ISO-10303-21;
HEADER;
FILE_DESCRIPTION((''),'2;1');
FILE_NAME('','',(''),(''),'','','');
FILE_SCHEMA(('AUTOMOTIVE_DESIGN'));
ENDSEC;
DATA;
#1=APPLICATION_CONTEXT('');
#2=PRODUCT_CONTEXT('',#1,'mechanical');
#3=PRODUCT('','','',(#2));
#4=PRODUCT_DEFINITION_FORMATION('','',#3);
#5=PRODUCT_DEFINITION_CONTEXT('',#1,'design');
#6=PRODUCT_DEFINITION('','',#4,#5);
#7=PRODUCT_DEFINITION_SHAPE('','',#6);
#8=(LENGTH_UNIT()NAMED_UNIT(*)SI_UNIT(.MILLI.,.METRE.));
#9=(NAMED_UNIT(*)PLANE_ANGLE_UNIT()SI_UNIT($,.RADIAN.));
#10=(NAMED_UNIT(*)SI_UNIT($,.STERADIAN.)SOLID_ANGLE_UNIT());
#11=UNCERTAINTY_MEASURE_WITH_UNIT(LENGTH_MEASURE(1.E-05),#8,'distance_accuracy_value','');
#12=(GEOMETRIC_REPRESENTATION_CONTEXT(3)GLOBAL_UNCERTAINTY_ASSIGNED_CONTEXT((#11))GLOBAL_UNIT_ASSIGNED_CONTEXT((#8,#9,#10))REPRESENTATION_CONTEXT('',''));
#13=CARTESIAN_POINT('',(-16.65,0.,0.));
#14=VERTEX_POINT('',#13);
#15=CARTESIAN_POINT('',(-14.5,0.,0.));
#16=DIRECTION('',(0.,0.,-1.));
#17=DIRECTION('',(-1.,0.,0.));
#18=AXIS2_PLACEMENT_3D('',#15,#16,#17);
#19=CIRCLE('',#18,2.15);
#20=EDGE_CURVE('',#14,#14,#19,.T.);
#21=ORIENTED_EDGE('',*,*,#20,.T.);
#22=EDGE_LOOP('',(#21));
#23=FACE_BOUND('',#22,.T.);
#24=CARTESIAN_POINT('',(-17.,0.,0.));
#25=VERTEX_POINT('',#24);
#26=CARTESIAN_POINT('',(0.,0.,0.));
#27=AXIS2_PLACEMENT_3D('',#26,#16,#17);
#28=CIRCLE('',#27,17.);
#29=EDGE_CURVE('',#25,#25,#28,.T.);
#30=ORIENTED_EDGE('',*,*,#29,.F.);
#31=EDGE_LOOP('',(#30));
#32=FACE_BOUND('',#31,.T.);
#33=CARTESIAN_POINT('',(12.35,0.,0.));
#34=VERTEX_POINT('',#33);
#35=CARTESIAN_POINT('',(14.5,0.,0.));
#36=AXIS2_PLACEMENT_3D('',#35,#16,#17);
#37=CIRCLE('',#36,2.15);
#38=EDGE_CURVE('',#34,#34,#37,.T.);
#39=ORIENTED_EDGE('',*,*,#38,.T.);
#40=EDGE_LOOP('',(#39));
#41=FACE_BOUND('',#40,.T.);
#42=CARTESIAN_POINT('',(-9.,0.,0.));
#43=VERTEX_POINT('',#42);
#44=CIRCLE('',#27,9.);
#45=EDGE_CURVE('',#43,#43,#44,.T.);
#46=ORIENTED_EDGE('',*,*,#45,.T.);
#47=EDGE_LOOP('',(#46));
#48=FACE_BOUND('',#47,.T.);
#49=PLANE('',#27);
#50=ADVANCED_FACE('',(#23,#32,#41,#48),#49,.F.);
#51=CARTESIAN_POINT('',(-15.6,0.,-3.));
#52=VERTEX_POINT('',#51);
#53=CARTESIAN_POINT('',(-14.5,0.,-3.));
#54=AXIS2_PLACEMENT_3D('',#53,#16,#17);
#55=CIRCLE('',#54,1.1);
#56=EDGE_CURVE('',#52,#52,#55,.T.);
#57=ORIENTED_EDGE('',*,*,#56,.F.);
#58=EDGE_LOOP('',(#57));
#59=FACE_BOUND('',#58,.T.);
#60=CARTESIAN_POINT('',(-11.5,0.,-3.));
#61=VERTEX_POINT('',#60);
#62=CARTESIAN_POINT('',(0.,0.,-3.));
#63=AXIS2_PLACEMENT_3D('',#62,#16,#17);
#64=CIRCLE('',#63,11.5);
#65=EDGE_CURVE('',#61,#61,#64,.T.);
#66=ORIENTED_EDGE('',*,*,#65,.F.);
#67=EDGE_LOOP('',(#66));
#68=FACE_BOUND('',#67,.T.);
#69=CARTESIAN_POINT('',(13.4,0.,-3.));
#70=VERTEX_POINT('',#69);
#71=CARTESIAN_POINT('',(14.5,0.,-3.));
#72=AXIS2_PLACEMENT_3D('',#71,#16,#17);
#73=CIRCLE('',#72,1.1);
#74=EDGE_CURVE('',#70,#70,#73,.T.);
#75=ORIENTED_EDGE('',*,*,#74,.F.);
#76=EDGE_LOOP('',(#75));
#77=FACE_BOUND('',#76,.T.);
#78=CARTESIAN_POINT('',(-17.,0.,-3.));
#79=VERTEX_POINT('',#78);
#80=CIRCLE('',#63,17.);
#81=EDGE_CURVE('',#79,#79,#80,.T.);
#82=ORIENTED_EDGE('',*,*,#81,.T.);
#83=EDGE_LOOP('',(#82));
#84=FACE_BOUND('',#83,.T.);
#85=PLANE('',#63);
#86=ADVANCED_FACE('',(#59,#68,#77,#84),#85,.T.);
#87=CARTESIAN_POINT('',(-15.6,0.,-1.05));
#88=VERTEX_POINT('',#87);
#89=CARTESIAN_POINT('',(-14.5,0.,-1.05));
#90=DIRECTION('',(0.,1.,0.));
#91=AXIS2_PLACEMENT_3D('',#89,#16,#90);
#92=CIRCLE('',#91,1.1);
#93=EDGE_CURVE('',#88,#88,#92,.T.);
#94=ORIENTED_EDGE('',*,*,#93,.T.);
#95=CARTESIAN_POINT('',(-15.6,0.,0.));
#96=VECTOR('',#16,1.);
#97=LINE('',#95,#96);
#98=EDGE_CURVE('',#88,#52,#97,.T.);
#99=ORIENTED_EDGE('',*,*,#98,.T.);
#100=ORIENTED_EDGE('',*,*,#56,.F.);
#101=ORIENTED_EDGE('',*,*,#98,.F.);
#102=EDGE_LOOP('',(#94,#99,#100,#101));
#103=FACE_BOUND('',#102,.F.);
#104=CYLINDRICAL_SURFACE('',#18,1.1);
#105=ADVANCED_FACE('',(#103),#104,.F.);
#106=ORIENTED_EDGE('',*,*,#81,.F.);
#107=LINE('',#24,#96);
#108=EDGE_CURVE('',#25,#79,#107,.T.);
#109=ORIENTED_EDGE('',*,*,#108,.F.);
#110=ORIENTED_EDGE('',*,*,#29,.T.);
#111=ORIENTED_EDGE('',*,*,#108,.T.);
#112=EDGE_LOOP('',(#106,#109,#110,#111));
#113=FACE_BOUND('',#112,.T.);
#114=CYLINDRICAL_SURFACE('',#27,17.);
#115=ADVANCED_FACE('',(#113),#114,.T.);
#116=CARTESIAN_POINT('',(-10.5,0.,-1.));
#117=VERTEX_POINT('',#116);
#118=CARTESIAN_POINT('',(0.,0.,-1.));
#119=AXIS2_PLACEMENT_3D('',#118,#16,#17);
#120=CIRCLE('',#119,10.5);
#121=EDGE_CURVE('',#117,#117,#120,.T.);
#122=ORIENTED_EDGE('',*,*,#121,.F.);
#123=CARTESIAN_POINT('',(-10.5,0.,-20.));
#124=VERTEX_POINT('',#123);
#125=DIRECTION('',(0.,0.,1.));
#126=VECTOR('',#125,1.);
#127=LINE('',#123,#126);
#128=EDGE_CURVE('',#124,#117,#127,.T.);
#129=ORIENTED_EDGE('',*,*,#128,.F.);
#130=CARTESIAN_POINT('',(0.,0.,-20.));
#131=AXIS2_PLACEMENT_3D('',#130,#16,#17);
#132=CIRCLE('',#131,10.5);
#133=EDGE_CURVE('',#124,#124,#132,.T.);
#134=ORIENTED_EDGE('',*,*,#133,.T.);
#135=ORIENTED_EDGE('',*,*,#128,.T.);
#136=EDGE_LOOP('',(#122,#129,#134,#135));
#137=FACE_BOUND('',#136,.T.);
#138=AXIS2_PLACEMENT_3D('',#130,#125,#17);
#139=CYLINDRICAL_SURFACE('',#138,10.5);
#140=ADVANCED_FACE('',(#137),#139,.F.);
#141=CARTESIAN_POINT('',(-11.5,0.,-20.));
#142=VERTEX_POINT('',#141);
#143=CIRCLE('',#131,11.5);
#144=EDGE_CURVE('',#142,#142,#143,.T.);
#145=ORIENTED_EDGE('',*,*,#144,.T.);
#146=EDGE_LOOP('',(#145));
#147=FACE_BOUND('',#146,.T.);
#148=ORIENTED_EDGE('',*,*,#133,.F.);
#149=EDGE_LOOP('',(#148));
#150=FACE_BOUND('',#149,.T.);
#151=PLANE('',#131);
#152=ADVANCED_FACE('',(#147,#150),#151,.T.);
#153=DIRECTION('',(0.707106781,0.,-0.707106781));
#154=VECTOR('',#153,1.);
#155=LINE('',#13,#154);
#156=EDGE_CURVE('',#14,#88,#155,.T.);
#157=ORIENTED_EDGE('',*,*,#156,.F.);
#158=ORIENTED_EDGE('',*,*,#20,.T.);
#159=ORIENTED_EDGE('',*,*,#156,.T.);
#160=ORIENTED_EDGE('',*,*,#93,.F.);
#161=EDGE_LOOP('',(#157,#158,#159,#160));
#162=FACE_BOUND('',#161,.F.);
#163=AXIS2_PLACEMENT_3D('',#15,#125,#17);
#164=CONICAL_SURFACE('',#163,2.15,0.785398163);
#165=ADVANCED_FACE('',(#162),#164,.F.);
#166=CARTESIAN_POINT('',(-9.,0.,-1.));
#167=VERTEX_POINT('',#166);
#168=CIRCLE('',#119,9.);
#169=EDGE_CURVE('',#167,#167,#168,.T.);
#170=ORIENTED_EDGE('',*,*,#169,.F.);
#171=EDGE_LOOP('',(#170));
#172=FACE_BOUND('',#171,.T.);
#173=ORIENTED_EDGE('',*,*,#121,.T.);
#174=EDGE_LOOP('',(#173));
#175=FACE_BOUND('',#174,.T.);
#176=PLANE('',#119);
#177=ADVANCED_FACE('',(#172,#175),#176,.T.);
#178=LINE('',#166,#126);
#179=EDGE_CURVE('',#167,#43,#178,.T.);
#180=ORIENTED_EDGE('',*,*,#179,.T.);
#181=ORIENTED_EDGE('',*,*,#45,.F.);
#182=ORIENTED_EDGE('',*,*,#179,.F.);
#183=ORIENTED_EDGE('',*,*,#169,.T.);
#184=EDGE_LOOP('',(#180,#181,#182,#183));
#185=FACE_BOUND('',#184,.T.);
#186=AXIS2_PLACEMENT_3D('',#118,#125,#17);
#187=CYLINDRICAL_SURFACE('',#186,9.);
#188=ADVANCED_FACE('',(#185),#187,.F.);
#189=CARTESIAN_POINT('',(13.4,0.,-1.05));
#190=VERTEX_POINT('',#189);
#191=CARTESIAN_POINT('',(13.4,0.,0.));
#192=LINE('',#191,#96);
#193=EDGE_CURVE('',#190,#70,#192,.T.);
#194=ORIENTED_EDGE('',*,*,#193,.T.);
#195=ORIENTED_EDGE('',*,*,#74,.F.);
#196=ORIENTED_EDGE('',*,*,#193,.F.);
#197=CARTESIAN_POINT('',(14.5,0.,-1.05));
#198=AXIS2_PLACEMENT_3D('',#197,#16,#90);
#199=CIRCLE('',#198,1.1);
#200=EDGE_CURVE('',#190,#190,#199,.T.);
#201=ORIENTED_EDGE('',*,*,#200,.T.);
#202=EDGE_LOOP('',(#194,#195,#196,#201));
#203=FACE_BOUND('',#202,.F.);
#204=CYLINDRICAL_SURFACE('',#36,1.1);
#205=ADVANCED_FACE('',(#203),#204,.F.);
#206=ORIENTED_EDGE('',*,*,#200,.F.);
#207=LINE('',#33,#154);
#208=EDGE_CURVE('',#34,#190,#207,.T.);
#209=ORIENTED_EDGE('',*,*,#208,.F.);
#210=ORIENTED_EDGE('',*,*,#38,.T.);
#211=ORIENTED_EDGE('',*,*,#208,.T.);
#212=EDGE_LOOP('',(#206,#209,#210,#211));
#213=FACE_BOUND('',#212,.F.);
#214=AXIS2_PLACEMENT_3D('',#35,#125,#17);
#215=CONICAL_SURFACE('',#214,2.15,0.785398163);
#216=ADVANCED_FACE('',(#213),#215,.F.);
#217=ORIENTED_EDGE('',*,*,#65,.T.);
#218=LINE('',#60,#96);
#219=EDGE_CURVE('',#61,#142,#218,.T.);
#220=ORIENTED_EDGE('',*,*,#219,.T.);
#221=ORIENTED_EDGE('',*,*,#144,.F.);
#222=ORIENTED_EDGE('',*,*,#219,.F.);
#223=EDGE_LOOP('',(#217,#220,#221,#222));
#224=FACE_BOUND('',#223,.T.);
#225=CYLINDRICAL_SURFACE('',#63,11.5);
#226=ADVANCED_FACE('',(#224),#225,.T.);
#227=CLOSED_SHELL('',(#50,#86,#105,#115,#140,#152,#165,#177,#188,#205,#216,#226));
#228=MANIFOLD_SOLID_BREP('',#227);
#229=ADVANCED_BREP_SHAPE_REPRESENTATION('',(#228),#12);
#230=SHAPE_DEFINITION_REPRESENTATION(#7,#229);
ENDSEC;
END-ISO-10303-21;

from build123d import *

# Parameters (mm, degrees)
F3_D           = 2.2
F3_CSINK_D     = 4.3
F3_CSINK_ANGLE = 90


with BuildPart() as f1:
    # F0 (on Front) → F1 (revolve)
    with BuildSketch(Plane.XZ):
        Polygon((-9, -1), (-9, 0), (-17, 0), (-17, -3), (-11.5, -3), (-11.5, -20), (-10.5, -20), (-10.5, -1), align=None)
    revolve(axis=Axis((0, 0, -20.998121), (0, 0, -1)))

    # F3 (through all)
    with Locations(Plane.XY):
        with Locations((-14.5, 0), (14.5, 0)):
            CounterSinkHole(F3_D / 2, F3_CSINK_D / 2, counter_sink_angle=F3_CSINK_ANGLE)


solid = f1.part
